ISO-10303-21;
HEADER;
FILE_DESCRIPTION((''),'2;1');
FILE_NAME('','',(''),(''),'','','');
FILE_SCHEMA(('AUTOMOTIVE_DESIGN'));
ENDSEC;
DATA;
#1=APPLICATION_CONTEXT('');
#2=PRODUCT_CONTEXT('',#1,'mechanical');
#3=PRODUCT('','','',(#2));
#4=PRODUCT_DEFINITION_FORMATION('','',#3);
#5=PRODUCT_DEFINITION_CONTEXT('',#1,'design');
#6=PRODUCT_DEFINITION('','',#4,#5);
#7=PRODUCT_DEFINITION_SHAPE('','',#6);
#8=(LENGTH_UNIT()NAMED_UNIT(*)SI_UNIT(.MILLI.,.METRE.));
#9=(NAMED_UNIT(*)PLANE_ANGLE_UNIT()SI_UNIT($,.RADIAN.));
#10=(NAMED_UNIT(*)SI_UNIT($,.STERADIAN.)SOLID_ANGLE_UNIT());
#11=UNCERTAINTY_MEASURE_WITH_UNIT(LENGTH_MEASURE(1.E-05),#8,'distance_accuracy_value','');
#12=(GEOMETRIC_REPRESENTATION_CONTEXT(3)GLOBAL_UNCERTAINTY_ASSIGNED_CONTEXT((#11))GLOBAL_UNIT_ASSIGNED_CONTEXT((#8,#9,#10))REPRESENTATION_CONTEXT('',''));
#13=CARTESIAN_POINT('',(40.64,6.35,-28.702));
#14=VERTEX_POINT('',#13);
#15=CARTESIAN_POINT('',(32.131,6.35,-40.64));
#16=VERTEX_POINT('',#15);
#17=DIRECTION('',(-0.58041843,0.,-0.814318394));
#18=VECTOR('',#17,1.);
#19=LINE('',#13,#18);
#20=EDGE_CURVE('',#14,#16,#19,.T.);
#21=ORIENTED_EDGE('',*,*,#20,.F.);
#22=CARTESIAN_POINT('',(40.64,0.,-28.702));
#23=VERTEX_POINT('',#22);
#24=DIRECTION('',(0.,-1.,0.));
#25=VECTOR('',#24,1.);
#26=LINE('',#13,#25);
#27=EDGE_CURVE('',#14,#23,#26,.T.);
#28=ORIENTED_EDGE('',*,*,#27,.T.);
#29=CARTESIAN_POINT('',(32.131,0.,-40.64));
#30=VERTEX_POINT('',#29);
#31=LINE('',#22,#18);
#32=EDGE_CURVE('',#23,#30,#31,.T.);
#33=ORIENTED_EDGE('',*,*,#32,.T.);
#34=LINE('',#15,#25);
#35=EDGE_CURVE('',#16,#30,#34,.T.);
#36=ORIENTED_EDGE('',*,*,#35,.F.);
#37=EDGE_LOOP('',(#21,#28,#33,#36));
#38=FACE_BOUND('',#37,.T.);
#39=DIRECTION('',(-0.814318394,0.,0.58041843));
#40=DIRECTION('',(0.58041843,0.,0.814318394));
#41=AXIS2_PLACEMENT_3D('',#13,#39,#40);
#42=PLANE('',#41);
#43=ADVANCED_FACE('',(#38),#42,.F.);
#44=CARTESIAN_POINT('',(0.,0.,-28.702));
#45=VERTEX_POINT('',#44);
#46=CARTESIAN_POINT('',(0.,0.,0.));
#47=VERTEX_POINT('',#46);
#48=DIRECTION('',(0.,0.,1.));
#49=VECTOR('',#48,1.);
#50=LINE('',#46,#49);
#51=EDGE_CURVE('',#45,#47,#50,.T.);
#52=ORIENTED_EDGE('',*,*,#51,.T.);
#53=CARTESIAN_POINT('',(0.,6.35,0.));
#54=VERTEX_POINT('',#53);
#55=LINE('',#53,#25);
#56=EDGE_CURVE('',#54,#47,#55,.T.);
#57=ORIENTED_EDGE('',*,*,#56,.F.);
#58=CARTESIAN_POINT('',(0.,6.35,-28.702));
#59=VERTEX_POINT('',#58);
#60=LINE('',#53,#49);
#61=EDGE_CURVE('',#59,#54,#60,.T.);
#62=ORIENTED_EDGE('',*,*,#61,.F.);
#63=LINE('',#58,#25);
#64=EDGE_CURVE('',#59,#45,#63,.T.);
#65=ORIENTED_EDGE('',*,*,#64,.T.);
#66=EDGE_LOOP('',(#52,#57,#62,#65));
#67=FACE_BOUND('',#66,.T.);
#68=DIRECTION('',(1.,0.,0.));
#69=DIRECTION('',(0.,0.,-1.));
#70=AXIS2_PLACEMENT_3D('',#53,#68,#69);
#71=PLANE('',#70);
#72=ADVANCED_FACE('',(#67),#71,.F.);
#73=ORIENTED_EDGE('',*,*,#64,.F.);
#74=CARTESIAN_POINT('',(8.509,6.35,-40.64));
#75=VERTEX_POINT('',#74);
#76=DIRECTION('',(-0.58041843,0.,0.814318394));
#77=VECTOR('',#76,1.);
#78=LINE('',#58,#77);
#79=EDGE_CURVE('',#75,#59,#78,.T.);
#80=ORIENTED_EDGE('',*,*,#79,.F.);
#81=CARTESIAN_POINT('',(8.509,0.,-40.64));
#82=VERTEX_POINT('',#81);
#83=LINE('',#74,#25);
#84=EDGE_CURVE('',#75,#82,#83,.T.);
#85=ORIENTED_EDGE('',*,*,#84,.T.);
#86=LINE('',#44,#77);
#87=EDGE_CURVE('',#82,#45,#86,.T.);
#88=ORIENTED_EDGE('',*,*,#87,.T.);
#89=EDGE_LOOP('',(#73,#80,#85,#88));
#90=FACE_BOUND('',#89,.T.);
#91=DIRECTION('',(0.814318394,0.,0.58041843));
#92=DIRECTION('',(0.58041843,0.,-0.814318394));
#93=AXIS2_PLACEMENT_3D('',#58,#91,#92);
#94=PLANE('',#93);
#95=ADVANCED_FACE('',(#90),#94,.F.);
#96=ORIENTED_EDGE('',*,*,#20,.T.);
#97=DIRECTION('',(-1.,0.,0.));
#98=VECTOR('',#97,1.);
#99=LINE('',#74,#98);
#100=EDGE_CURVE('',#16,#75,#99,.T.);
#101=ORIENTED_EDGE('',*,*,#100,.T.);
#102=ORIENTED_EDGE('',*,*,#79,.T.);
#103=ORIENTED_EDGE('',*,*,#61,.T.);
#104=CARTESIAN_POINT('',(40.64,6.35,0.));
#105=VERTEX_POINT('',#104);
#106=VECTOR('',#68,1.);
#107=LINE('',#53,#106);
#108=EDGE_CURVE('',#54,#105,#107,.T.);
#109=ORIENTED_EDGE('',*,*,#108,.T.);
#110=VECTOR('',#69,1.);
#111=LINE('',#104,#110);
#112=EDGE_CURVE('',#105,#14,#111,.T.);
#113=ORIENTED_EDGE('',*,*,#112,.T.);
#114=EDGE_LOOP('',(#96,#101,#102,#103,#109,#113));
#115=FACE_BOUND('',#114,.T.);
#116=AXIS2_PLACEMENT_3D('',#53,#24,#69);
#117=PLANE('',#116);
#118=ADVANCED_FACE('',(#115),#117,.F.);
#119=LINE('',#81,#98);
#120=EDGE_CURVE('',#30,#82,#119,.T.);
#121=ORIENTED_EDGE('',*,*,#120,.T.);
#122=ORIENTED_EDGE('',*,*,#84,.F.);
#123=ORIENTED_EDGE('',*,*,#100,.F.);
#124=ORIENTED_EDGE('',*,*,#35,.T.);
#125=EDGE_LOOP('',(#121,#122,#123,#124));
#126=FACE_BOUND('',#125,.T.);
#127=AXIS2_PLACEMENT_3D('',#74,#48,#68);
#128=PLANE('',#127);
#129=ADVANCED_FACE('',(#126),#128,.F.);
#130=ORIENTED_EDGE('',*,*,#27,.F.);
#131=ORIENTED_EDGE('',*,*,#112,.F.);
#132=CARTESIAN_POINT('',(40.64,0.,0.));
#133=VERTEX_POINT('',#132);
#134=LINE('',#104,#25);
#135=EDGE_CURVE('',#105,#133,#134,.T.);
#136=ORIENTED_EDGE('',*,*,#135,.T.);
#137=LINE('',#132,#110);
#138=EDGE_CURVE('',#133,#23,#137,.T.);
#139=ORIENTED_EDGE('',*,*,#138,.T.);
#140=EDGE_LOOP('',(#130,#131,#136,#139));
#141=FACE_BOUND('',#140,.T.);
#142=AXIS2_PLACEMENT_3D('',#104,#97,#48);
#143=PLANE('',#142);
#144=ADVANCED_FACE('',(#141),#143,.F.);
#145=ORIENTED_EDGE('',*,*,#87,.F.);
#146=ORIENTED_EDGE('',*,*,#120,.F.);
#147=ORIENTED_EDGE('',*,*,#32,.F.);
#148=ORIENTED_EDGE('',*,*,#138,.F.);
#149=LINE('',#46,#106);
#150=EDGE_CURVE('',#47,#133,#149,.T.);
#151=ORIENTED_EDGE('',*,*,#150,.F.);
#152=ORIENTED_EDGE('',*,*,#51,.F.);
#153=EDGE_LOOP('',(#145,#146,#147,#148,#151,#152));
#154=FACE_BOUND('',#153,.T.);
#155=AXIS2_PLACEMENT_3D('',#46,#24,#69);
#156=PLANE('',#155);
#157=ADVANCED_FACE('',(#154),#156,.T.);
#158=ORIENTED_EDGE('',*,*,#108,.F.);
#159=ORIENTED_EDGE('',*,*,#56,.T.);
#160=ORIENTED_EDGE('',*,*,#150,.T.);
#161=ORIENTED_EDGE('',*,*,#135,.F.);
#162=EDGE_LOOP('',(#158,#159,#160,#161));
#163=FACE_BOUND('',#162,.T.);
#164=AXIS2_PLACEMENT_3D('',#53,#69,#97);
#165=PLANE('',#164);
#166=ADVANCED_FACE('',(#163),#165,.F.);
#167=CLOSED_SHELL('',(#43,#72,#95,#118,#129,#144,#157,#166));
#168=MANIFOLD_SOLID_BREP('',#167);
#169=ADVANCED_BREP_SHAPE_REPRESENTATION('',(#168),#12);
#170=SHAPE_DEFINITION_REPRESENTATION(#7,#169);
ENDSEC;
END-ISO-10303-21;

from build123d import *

# Parameters (mm, degrees)
BOSS_EXTRUDE1_DEPTH = 6.35


with BuildPart() as part:
    # Sketch1 → Boss-Extrude1 (new body)
    with BuildSketch(Plane(origin=(0, 0, 0), x_dir=(1, 0, 0), z_dir=(0, 1, 0))):
        Polygon((0, 28.702), (8.509, 40.64), (32.131, 40.64), (40.64, 28.702), (40.64, 0), (0, 0), align=None)
    extrude(amount=BOSS_EXTRUDE1_DEPTH)


solid = part.part
